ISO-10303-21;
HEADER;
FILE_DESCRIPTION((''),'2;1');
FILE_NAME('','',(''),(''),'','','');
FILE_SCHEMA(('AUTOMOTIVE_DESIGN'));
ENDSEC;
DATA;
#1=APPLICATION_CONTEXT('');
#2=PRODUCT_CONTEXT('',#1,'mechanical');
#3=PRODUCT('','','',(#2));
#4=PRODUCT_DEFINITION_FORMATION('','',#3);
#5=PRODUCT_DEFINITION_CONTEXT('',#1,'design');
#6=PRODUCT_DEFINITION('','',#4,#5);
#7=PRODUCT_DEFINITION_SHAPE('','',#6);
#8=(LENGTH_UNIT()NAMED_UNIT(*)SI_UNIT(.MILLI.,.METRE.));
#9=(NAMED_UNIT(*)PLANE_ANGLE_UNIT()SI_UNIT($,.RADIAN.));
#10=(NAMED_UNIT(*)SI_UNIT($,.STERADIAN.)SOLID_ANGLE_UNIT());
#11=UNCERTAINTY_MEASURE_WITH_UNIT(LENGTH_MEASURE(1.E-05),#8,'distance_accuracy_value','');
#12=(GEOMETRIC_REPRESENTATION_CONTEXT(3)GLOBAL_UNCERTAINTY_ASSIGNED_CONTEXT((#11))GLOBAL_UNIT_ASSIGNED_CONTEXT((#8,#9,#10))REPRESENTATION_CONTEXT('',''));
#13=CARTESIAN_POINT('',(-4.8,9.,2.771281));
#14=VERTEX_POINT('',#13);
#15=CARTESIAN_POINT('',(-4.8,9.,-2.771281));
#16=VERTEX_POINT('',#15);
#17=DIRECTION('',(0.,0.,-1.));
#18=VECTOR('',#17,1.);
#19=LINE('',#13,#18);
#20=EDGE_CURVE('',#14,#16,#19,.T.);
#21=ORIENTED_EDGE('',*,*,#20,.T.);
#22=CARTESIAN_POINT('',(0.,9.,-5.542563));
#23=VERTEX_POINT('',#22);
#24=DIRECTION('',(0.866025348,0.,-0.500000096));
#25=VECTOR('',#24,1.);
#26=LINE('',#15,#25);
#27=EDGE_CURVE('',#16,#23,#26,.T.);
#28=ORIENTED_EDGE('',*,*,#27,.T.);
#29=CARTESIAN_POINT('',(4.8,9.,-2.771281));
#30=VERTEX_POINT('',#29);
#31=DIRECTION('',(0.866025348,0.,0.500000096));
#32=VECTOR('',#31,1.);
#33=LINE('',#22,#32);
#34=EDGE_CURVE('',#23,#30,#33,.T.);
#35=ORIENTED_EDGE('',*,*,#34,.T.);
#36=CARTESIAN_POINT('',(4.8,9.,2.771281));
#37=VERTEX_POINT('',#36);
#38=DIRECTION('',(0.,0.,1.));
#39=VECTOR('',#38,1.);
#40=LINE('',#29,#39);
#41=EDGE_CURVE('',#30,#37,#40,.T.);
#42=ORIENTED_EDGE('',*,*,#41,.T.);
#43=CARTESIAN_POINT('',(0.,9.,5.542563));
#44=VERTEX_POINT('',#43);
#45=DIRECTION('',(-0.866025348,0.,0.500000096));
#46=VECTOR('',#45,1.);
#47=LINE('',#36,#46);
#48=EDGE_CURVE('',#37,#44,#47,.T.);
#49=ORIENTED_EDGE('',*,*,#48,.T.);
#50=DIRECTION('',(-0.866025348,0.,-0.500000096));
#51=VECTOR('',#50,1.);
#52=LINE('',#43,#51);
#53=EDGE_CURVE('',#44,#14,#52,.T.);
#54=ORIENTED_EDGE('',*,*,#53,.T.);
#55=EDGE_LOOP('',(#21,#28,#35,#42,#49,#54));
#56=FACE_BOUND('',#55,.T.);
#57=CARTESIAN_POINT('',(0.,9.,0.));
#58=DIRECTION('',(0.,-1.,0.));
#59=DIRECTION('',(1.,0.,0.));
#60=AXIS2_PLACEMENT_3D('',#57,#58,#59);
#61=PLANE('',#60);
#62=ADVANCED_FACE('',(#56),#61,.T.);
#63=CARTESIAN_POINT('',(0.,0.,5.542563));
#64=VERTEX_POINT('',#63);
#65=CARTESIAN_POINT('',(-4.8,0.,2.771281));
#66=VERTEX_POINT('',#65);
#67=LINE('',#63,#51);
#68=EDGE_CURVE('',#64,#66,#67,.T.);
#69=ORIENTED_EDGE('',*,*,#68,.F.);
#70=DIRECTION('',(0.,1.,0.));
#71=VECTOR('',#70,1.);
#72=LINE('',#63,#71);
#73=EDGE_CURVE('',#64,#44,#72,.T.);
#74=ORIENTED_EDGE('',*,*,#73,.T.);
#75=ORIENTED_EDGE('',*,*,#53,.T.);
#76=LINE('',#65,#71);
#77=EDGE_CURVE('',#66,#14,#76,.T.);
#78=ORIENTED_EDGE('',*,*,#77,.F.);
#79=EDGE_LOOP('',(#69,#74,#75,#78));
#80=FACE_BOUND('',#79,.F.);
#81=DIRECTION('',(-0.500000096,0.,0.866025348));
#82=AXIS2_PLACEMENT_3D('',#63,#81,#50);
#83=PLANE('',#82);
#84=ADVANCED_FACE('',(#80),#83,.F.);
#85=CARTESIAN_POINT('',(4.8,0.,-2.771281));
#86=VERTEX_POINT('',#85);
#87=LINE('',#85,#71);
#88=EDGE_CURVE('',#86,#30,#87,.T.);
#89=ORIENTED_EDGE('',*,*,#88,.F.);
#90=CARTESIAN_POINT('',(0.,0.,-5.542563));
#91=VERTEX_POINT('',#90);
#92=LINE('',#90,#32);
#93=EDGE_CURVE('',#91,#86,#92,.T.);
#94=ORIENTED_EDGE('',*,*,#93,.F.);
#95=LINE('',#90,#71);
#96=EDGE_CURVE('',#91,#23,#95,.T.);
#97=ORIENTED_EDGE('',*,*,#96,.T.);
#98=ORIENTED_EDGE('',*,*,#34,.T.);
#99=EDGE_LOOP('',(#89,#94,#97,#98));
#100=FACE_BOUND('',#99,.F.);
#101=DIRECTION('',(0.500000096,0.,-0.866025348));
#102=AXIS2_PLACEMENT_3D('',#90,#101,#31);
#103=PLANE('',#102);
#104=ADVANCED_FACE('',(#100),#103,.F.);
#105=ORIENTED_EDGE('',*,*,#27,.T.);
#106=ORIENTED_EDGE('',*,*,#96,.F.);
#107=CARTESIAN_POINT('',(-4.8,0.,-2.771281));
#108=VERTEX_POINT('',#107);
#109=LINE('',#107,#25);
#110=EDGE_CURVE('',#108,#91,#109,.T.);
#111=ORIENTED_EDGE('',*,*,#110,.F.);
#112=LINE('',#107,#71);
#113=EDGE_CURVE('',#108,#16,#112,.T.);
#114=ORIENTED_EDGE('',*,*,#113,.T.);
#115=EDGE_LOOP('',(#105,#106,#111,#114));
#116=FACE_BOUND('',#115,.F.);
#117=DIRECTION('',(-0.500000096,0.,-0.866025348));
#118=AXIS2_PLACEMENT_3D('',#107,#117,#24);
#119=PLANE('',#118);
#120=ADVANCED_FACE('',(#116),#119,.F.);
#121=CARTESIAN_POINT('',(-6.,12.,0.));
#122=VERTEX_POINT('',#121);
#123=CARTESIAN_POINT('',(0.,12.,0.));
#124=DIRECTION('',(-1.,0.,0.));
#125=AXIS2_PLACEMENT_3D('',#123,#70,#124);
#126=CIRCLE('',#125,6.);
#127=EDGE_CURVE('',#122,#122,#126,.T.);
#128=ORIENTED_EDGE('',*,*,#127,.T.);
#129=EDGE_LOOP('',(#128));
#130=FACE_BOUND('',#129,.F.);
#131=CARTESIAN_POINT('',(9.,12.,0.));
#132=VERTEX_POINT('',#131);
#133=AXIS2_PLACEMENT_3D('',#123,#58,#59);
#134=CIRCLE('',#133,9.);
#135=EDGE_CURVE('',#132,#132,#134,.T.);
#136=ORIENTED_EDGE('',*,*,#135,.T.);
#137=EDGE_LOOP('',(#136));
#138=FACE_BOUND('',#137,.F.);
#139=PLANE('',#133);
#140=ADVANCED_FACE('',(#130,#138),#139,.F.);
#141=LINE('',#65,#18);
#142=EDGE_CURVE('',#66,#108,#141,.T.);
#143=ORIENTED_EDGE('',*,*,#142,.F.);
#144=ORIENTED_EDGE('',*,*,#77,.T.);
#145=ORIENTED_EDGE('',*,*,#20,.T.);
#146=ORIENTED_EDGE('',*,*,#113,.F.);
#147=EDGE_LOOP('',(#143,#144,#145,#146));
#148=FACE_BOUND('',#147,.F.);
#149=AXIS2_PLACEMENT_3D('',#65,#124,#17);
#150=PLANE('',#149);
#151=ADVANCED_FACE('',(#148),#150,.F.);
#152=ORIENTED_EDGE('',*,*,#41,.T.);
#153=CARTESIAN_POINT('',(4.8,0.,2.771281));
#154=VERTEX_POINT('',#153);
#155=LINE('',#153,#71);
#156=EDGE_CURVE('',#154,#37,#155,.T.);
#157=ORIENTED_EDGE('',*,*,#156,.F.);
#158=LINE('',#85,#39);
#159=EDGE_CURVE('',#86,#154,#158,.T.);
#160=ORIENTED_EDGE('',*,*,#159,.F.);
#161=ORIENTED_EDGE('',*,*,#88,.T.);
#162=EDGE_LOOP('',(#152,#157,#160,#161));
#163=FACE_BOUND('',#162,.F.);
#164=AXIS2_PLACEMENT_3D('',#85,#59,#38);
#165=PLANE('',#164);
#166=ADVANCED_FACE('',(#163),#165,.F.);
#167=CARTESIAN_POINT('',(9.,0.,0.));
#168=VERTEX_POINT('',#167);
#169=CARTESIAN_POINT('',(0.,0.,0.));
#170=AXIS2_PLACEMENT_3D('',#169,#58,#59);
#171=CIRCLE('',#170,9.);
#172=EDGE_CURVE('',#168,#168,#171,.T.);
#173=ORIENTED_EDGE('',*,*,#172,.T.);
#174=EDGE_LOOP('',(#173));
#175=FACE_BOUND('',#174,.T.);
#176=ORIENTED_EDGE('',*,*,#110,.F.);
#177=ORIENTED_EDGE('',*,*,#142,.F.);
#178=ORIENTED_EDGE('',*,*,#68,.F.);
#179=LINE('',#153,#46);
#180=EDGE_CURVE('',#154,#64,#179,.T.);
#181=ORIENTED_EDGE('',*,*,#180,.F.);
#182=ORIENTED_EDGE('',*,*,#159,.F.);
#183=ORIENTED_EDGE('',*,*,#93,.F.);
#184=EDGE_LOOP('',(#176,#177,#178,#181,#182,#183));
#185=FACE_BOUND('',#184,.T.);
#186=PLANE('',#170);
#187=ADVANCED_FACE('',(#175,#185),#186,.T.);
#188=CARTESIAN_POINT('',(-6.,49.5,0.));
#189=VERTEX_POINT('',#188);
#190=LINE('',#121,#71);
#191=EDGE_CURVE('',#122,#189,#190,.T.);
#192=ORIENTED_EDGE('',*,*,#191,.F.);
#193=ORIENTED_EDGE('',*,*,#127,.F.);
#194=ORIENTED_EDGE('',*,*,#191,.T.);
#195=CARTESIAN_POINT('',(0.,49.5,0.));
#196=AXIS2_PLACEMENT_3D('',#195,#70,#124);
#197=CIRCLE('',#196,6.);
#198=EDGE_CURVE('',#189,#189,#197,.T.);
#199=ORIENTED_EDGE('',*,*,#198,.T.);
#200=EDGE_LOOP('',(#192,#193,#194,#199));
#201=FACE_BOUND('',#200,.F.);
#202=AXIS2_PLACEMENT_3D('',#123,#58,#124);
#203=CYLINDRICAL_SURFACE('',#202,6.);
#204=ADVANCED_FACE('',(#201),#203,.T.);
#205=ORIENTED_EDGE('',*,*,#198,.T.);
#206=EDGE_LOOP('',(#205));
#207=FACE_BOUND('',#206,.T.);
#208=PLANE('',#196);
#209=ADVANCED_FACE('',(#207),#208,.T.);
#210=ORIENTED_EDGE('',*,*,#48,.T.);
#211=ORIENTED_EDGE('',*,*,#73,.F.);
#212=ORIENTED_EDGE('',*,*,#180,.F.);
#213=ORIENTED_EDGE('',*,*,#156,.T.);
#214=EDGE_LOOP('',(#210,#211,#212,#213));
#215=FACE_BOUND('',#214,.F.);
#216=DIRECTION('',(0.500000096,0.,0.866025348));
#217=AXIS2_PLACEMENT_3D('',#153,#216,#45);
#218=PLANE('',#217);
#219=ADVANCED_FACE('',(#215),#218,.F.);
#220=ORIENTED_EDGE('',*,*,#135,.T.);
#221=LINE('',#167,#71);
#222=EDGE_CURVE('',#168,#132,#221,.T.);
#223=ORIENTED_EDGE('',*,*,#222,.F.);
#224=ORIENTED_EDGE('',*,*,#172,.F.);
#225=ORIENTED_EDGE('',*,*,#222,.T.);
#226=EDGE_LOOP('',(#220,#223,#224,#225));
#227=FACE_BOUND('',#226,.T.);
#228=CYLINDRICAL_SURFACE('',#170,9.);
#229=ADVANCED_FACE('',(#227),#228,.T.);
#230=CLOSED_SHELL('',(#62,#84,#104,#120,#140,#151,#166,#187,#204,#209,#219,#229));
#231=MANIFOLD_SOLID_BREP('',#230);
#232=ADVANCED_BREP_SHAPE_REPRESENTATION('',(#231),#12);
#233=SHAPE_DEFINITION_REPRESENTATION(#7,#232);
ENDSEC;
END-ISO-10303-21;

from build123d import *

# Parameters (mm, degrees)
F0_R     = 9
F1_DEPTH = 12
F2_R     = 6
F3_DEPTH = 37.5
F5_DEPTH = 9


with BuildPart() as f1:
    # F0 (on Front) → F1 (new body)
    with BuildSketch(Plane.XZ):
        Circle(F0_R)
    extrude(amount=-F1_DEPTH)

    # F2 (on face) → F3 (join)
    with BuildSketch(Plane(origin=(0, 12, 0), x_dir=(-1, 0, 0), z_dir=(0, 1, 0))):
        Circle(F2_R)
    extrude(amount=F3_DEPTH)

    # F4 (on face) → F5 (cut)
    with BuildSketch(Plane.XZ):
        Polygon((4.8, -2.771281), (4.8, 2.771281), (0, 5.542563), (-4.8, 2.771281), (-4.8, -2.771281), (0, -5.542563), align=None)
    extrude(amount=-F5_DEPTH, mode=Mode.SUBTRACT)


solid = f1.part
